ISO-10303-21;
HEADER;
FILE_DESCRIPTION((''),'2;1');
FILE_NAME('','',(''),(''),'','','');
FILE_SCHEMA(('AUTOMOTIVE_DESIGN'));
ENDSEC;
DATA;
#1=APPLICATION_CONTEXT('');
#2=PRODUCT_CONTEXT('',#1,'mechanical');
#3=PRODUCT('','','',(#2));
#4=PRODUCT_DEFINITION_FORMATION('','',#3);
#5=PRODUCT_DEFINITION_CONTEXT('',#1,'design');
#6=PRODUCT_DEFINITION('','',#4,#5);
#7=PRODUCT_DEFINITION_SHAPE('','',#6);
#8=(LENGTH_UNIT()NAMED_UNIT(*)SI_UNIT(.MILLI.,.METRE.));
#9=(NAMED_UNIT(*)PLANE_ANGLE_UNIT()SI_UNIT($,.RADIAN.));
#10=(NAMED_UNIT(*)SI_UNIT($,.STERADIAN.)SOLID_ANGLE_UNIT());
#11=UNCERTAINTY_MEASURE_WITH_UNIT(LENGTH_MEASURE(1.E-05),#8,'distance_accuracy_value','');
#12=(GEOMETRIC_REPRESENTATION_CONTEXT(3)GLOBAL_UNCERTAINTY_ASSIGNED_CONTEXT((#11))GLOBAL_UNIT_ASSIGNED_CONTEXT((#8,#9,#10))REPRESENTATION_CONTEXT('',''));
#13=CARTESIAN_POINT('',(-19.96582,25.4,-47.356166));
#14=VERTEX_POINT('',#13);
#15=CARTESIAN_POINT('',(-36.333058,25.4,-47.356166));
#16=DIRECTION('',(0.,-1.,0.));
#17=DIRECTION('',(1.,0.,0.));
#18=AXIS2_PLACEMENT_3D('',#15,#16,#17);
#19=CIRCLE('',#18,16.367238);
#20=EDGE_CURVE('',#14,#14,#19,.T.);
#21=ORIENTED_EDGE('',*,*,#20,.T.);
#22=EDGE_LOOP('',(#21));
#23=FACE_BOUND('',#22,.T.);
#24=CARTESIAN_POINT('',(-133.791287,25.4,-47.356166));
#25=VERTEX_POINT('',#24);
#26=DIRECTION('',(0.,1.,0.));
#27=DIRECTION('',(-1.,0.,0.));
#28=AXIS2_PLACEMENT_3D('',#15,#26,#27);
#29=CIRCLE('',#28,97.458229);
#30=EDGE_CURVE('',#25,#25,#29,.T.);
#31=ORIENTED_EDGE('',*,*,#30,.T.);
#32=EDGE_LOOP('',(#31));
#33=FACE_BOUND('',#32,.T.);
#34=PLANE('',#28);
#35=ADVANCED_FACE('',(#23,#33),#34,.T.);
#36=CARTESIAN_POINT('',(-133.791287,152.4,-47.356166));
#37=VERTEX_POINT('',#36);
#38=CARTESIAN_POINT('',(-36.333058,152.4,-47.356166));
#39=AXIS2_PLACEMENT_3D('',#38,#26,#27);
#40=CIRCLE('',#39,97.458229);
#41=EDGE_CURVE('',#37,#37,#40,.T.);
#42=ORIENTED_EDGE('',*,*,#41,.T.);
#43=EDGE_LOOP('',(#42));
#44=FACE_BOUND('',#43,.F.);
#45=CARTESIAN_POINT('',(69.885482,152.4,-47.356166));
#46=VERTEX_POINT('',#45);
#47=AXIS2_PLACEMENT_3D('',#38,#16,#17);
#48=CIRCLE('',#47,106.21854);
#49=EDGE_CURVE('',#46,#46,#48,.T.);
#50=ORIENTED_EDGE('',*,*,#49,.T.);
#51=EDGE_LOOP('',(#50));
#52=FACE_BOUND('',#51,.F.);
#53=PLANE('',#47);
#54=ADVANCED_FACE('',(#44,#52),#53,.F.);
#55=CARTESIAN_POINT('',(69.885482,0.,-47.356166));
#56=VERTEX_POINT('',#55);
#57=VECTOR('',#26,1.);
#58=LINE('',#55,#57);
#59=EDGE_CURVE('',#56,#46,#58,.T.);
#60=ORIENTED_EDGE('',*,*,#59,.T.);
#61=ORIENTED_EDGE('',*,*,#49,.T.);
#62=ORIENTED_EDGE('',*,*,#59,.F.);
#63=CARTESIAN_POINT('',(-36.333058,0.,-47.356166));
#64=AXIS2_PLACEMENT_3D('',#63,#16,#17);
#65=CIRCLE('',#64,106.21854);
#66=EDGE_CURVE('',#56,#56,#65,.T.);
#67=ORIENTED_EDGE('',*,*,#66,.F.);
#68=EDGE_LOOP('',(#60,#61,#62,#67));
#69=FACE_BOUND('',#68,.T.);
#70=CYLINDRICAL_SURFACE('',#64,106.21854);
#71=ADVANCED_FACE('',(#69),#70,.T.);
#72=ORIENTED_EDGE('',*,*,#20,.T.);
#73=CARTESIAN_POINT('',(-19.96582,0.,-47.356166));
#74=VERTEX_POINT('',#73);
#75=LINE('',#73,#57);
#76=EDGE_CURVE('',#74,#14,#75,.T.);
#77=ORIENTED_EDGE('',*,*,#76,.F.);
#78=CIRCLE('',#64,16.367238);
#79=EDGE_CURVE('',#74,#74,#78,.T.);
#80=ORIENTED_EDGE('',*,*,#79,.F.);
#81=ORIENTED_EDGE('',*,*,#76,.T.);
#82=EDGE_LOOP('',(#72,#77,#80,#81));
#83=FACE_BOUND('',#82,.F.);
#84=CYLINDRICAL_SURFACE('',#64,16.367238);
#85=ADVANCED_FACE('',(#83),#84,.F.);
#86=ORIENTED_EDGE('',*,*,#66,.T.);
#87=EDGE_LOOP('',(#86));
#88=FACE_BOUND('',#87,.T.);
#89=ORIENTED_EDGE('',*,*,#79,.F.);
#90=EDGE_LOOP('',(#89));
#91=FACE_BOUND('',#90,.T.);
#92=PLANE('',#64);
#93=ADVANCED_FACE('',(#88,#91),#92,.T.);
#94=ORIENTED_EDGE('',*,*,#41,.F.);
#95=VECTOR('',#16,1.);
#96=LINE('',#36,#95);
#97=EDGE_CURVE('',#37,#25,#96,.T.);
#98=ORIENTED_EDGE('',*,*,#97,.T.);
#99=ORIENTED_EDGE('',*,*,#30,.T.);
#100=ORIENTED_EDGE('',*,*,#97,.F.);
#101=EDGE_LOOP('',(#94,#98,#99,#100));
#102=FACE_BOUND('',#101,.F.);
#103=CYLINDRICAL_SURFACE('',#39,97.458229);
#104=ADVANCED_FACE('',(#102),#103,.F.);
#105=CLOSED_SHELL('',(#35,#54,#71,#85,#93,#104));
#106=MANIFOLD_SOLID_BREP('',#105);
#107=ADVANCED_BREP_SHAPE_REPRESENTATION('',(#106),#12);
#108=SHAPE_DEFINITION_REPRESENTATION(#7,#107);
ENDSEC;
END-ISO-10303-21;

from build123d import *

# Parameters (mm, degrees)
F0_R     = 106.21854
F1_DEPTH = 152.4
F2_R     = 101.492892
F3_DEPTH = 127
F4_R     = 97.458229
F5_DEPTH = 127
F6_R     = 16.367238
F7_DEPTH = 25.4


with BuildPart() as f1:
    # F0 (on Front) → F1 (new body)
    with BuildSketch(Plane.XZ):
        with Locations((-36.333058, -47.356166)):
            Circle(F0_R)
    extrude(amount=-F1_DEPTH)

    # F2 (on face) → F3 (join)
    with BuildSketch(Plane.XZ):
        with Locations((-36.333058, -47.356166)):
            Circle(F2_R)
    extrude(amount=-F3_DEPTH)

    # F4 (on face) → F5 (cut)
    with BuildSketch(Plane(origin=(0, 152.4, 0), x_dir=(-1, 0, 0), z_dir=(0, 1, 0))):
        with Locations((36.333058, -47.356166)):
            Circle(F4_R)
    extrude(amount=-F5_DEPTH, mode=Mode.SUBTRACT)

    # F6 (on face) → F7 (cut)
    with BuildSketch(Plane.XZ):
        with Locations((-36.333058, -47.356166)):
            Circle(F6_R)
    extrude(amount=-F7_DEPTH, mode=Mode.SUBTRACT)


solid = f1.part
